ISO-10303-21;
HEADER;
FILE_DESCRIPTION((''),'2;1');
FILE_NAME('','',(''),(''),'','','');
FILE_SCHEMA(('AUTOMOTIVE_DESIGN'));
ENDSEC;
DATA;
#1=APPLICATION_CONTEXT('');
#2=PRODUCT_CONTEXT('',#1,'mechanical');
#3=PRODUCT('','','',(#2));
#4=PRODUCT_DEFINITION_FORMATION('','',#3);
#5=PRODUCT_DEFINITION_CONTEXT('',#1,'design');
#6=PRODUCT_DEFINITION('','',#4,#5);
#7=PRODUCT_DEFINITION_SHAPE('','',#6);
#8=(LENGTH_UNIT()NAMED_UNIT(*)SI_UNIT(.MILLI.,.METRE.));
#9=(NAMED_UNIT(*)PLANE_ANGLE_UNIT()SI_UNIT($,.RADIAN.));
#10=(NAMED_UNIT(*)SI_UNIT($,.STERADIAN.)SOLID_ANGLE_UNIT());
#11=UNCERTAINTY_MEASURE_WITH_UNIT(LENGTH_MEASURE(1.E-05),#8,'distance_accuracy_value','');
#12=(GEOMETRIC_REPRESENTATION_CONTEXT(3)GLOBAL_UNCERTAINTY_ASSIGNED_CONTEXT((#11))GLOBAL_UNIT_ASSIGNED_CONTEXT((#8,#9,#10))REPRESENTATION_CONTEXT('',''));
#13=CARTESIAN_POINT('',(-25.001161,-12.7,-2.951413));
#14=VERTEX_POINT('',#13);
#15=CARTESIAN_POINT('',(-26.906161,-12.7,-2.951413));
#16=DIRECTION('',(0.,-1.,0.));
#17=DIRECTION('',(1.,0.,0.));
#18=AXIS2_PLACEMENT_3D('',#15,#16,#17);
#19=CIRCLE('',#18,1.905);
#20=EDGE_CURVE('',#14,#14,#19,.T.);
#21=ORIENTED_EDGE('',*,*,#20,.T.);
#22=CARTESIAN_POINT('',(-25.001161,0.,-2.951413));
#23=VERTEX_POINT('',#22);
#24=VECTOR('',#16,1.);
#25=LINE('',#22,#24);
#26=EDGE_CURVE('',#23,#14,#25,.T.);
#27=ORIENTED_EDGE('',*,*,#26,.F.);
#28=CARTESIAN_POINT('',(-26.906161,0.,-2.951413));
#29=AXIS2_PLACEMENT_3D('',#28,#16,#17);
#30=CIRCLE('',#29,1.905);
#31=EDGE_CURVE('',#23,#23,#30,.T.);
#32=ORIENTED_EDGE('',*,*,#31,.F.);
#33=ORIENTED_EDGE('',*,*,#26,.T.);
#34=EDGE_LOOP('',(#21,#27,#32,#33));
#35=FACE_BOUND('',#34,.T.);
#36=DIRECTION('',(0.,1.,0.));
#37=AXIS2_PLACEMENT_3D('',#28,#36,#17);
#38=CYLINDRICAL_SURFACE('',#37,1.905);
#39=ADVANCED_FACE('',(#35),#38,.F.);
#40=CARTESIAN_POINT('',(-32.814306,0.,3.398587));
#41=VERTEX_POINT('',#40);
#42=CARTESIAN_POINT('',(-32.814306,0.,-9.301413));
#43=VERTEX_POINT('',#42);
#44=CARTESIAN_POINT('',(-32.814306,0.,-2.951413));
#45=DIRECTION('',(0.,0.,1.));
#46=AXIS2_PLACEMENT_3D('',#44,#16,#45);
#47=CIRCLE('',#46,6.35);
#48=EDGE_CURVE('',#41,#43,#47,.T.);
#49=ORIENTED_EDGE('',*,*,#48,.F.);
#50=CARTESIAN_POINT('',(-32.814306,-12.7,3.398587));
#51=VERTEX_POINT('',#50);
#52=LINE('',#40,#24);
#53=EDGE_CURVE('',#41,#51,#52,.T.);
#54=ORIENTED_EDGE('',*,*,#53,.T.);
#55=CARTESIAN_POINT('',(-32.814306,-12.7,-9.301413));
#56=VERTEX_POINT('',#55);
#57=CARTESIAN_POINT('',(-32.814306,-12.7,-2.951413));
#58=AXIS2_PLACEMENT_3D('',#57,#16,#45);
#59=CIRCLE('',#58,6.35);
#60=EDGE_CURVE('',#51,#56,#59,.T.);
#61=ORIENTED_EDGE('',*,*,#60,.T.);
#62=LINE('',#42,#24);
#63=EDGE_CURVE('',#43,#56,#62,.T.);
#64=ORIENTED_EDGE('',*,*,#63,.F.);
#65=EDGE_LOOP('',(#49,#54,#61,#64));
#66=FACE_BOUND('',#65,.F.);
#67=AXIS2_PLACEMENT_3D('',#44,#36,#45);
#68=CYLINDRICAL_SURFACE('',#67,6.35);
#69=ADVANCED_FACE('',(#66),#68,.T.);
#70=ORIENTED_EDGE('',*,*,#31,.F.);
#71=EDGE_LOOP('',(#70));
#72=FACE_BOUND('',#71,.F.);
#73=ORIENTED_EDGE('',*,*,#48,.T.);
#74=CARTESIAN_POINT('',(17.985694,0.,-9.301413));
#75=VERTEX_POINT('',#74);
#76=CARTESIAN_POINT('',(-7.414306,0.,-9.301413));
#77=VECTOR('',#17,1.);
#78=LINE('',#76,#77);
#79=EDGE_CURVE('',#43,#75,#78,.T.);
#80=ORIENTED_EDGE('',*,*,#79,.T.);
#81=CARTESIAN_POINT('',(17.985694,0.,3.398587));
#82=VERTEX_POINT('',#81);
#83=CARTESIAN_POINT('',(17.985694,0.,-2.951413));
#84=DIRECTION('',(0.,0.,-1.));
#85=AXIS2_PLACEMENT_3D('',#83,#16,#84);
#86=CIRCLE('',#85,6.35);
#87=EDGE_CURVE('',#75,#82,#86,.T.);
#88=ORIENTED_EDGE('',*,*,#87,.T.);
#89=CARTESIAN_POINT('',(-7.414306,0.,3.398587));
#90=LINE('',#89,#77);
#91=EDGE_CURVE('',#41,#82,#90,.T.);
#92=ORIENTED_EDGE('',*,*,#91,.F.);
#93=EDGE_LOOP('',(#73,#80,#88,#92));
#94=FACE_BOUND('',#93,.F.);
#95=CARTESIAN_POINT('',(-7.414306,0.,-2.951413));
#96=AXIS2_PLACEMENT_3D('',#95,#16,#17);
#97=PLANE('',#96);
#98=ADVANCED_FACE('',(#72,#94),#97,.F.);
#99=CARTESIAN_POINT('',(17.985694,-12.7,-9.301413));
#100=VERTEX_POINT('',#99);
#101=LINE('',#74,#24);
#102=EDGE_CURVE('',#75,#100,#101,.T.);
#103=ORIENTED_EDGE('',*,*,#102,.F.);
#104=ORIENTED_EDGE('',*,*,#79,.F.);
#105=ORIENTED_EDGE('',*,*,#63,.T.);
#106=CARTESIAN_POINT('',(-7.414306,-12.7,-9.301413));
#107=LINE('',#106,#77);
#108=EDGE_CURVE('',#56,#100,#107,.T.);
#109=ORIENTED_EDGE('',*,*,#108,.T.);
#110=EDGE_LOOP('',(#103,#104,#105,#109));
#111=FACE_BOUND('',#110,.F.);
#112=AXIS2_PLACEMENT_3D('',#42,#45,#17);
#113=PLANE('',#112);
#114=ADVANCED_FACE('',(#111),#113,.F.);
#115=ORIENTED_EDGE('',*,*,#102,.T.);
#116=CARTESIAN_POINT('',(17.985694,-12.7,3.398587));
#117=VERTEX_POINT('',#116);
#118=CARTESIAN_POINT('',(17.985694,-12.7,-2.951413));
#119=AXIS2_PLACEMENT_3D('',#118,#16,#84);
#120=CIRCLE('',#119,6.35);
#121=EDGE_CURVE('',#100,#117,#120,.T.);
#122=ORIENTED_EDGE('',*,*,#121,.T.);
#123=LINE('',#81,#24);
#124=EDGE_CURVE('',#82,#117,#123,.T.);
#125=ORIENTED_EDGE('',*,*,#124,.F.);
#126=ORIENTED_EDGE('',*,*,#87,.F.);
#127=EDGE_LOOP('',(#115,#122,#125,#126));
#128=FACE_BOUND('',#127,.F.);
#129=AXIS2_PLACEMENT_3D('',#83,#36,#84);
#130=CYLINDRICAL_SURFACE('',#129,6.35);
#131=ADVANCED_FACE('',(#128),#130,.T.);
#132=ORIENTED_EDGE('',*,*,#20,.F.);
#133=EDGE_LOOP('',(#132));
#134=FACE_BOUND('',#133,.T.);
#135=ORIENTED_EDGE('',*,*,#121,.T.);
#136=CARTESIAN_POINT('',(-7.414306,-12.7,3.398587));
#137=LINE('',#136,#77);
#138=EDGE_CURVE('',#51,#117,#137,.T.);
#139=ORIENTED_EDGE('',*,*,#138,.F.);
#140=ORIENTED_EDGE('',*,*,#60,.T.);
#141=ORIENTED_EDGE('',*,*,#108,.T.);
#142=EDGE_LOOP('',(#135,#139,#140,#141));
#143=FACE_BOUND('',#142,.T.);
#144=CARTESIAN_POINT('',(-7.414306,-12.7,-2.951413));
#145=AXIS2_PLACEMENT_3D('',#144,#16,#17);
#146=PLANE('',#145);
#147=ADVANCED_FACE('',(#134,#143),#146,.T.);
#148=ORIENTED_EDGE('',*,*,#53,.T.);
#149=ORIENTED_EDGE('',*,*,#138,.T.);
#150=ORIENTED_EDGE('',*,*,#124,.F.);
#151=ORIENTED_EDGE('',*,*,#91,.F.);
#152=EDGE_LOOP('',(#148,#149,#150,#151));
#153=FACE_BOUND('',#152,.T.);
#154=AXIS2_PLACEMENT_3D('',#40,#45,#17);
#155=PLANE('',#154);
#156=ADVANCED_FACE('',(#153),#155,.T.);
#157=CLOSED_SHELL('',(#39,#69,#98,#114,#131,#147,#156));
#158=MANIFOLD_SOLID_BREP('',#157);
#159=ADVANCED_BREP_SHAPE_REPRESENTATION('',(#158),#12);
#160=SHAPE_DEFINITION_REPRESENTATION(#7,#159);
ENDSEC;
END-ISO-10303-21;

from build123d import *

# Parameters (mm, degrees)
F0_W     = 50.8
F0_H     = 12.7
F0_R     = 1.905
F1_DEPTH = 12.7


with BuildPart() as f1:
    # F0 (on Front) → F1 (new body)
    with BuildSketch(Plane.XZ):
        with Locations((-7.414306, -2.951413)):
            Rectangle(F0_W, F0_H)
        with Locations((-26.906161, -2.951413)):
            Circle(F0_R, mode=Mode.SUBTRACT)
        with BuildLine():
            Line((-32.814306, -9.301413), (-32.814306, 3.398587))
            ThreePointArc((-32.814306, 3.398587), (-39.164306, -2.951413), (-32.814306, -9.301413))
        make_face()
        with BuildLine():
            ThreePointArc((17.985694, -9.301413), (24.335694, -2.951413), (17.985694, 3.398587))
            Line((17.985694, 3.398587), (17.985694, -9.301413))
        make_face()
    extrude(amount=F1_DEPTH)


solid = f1.part
